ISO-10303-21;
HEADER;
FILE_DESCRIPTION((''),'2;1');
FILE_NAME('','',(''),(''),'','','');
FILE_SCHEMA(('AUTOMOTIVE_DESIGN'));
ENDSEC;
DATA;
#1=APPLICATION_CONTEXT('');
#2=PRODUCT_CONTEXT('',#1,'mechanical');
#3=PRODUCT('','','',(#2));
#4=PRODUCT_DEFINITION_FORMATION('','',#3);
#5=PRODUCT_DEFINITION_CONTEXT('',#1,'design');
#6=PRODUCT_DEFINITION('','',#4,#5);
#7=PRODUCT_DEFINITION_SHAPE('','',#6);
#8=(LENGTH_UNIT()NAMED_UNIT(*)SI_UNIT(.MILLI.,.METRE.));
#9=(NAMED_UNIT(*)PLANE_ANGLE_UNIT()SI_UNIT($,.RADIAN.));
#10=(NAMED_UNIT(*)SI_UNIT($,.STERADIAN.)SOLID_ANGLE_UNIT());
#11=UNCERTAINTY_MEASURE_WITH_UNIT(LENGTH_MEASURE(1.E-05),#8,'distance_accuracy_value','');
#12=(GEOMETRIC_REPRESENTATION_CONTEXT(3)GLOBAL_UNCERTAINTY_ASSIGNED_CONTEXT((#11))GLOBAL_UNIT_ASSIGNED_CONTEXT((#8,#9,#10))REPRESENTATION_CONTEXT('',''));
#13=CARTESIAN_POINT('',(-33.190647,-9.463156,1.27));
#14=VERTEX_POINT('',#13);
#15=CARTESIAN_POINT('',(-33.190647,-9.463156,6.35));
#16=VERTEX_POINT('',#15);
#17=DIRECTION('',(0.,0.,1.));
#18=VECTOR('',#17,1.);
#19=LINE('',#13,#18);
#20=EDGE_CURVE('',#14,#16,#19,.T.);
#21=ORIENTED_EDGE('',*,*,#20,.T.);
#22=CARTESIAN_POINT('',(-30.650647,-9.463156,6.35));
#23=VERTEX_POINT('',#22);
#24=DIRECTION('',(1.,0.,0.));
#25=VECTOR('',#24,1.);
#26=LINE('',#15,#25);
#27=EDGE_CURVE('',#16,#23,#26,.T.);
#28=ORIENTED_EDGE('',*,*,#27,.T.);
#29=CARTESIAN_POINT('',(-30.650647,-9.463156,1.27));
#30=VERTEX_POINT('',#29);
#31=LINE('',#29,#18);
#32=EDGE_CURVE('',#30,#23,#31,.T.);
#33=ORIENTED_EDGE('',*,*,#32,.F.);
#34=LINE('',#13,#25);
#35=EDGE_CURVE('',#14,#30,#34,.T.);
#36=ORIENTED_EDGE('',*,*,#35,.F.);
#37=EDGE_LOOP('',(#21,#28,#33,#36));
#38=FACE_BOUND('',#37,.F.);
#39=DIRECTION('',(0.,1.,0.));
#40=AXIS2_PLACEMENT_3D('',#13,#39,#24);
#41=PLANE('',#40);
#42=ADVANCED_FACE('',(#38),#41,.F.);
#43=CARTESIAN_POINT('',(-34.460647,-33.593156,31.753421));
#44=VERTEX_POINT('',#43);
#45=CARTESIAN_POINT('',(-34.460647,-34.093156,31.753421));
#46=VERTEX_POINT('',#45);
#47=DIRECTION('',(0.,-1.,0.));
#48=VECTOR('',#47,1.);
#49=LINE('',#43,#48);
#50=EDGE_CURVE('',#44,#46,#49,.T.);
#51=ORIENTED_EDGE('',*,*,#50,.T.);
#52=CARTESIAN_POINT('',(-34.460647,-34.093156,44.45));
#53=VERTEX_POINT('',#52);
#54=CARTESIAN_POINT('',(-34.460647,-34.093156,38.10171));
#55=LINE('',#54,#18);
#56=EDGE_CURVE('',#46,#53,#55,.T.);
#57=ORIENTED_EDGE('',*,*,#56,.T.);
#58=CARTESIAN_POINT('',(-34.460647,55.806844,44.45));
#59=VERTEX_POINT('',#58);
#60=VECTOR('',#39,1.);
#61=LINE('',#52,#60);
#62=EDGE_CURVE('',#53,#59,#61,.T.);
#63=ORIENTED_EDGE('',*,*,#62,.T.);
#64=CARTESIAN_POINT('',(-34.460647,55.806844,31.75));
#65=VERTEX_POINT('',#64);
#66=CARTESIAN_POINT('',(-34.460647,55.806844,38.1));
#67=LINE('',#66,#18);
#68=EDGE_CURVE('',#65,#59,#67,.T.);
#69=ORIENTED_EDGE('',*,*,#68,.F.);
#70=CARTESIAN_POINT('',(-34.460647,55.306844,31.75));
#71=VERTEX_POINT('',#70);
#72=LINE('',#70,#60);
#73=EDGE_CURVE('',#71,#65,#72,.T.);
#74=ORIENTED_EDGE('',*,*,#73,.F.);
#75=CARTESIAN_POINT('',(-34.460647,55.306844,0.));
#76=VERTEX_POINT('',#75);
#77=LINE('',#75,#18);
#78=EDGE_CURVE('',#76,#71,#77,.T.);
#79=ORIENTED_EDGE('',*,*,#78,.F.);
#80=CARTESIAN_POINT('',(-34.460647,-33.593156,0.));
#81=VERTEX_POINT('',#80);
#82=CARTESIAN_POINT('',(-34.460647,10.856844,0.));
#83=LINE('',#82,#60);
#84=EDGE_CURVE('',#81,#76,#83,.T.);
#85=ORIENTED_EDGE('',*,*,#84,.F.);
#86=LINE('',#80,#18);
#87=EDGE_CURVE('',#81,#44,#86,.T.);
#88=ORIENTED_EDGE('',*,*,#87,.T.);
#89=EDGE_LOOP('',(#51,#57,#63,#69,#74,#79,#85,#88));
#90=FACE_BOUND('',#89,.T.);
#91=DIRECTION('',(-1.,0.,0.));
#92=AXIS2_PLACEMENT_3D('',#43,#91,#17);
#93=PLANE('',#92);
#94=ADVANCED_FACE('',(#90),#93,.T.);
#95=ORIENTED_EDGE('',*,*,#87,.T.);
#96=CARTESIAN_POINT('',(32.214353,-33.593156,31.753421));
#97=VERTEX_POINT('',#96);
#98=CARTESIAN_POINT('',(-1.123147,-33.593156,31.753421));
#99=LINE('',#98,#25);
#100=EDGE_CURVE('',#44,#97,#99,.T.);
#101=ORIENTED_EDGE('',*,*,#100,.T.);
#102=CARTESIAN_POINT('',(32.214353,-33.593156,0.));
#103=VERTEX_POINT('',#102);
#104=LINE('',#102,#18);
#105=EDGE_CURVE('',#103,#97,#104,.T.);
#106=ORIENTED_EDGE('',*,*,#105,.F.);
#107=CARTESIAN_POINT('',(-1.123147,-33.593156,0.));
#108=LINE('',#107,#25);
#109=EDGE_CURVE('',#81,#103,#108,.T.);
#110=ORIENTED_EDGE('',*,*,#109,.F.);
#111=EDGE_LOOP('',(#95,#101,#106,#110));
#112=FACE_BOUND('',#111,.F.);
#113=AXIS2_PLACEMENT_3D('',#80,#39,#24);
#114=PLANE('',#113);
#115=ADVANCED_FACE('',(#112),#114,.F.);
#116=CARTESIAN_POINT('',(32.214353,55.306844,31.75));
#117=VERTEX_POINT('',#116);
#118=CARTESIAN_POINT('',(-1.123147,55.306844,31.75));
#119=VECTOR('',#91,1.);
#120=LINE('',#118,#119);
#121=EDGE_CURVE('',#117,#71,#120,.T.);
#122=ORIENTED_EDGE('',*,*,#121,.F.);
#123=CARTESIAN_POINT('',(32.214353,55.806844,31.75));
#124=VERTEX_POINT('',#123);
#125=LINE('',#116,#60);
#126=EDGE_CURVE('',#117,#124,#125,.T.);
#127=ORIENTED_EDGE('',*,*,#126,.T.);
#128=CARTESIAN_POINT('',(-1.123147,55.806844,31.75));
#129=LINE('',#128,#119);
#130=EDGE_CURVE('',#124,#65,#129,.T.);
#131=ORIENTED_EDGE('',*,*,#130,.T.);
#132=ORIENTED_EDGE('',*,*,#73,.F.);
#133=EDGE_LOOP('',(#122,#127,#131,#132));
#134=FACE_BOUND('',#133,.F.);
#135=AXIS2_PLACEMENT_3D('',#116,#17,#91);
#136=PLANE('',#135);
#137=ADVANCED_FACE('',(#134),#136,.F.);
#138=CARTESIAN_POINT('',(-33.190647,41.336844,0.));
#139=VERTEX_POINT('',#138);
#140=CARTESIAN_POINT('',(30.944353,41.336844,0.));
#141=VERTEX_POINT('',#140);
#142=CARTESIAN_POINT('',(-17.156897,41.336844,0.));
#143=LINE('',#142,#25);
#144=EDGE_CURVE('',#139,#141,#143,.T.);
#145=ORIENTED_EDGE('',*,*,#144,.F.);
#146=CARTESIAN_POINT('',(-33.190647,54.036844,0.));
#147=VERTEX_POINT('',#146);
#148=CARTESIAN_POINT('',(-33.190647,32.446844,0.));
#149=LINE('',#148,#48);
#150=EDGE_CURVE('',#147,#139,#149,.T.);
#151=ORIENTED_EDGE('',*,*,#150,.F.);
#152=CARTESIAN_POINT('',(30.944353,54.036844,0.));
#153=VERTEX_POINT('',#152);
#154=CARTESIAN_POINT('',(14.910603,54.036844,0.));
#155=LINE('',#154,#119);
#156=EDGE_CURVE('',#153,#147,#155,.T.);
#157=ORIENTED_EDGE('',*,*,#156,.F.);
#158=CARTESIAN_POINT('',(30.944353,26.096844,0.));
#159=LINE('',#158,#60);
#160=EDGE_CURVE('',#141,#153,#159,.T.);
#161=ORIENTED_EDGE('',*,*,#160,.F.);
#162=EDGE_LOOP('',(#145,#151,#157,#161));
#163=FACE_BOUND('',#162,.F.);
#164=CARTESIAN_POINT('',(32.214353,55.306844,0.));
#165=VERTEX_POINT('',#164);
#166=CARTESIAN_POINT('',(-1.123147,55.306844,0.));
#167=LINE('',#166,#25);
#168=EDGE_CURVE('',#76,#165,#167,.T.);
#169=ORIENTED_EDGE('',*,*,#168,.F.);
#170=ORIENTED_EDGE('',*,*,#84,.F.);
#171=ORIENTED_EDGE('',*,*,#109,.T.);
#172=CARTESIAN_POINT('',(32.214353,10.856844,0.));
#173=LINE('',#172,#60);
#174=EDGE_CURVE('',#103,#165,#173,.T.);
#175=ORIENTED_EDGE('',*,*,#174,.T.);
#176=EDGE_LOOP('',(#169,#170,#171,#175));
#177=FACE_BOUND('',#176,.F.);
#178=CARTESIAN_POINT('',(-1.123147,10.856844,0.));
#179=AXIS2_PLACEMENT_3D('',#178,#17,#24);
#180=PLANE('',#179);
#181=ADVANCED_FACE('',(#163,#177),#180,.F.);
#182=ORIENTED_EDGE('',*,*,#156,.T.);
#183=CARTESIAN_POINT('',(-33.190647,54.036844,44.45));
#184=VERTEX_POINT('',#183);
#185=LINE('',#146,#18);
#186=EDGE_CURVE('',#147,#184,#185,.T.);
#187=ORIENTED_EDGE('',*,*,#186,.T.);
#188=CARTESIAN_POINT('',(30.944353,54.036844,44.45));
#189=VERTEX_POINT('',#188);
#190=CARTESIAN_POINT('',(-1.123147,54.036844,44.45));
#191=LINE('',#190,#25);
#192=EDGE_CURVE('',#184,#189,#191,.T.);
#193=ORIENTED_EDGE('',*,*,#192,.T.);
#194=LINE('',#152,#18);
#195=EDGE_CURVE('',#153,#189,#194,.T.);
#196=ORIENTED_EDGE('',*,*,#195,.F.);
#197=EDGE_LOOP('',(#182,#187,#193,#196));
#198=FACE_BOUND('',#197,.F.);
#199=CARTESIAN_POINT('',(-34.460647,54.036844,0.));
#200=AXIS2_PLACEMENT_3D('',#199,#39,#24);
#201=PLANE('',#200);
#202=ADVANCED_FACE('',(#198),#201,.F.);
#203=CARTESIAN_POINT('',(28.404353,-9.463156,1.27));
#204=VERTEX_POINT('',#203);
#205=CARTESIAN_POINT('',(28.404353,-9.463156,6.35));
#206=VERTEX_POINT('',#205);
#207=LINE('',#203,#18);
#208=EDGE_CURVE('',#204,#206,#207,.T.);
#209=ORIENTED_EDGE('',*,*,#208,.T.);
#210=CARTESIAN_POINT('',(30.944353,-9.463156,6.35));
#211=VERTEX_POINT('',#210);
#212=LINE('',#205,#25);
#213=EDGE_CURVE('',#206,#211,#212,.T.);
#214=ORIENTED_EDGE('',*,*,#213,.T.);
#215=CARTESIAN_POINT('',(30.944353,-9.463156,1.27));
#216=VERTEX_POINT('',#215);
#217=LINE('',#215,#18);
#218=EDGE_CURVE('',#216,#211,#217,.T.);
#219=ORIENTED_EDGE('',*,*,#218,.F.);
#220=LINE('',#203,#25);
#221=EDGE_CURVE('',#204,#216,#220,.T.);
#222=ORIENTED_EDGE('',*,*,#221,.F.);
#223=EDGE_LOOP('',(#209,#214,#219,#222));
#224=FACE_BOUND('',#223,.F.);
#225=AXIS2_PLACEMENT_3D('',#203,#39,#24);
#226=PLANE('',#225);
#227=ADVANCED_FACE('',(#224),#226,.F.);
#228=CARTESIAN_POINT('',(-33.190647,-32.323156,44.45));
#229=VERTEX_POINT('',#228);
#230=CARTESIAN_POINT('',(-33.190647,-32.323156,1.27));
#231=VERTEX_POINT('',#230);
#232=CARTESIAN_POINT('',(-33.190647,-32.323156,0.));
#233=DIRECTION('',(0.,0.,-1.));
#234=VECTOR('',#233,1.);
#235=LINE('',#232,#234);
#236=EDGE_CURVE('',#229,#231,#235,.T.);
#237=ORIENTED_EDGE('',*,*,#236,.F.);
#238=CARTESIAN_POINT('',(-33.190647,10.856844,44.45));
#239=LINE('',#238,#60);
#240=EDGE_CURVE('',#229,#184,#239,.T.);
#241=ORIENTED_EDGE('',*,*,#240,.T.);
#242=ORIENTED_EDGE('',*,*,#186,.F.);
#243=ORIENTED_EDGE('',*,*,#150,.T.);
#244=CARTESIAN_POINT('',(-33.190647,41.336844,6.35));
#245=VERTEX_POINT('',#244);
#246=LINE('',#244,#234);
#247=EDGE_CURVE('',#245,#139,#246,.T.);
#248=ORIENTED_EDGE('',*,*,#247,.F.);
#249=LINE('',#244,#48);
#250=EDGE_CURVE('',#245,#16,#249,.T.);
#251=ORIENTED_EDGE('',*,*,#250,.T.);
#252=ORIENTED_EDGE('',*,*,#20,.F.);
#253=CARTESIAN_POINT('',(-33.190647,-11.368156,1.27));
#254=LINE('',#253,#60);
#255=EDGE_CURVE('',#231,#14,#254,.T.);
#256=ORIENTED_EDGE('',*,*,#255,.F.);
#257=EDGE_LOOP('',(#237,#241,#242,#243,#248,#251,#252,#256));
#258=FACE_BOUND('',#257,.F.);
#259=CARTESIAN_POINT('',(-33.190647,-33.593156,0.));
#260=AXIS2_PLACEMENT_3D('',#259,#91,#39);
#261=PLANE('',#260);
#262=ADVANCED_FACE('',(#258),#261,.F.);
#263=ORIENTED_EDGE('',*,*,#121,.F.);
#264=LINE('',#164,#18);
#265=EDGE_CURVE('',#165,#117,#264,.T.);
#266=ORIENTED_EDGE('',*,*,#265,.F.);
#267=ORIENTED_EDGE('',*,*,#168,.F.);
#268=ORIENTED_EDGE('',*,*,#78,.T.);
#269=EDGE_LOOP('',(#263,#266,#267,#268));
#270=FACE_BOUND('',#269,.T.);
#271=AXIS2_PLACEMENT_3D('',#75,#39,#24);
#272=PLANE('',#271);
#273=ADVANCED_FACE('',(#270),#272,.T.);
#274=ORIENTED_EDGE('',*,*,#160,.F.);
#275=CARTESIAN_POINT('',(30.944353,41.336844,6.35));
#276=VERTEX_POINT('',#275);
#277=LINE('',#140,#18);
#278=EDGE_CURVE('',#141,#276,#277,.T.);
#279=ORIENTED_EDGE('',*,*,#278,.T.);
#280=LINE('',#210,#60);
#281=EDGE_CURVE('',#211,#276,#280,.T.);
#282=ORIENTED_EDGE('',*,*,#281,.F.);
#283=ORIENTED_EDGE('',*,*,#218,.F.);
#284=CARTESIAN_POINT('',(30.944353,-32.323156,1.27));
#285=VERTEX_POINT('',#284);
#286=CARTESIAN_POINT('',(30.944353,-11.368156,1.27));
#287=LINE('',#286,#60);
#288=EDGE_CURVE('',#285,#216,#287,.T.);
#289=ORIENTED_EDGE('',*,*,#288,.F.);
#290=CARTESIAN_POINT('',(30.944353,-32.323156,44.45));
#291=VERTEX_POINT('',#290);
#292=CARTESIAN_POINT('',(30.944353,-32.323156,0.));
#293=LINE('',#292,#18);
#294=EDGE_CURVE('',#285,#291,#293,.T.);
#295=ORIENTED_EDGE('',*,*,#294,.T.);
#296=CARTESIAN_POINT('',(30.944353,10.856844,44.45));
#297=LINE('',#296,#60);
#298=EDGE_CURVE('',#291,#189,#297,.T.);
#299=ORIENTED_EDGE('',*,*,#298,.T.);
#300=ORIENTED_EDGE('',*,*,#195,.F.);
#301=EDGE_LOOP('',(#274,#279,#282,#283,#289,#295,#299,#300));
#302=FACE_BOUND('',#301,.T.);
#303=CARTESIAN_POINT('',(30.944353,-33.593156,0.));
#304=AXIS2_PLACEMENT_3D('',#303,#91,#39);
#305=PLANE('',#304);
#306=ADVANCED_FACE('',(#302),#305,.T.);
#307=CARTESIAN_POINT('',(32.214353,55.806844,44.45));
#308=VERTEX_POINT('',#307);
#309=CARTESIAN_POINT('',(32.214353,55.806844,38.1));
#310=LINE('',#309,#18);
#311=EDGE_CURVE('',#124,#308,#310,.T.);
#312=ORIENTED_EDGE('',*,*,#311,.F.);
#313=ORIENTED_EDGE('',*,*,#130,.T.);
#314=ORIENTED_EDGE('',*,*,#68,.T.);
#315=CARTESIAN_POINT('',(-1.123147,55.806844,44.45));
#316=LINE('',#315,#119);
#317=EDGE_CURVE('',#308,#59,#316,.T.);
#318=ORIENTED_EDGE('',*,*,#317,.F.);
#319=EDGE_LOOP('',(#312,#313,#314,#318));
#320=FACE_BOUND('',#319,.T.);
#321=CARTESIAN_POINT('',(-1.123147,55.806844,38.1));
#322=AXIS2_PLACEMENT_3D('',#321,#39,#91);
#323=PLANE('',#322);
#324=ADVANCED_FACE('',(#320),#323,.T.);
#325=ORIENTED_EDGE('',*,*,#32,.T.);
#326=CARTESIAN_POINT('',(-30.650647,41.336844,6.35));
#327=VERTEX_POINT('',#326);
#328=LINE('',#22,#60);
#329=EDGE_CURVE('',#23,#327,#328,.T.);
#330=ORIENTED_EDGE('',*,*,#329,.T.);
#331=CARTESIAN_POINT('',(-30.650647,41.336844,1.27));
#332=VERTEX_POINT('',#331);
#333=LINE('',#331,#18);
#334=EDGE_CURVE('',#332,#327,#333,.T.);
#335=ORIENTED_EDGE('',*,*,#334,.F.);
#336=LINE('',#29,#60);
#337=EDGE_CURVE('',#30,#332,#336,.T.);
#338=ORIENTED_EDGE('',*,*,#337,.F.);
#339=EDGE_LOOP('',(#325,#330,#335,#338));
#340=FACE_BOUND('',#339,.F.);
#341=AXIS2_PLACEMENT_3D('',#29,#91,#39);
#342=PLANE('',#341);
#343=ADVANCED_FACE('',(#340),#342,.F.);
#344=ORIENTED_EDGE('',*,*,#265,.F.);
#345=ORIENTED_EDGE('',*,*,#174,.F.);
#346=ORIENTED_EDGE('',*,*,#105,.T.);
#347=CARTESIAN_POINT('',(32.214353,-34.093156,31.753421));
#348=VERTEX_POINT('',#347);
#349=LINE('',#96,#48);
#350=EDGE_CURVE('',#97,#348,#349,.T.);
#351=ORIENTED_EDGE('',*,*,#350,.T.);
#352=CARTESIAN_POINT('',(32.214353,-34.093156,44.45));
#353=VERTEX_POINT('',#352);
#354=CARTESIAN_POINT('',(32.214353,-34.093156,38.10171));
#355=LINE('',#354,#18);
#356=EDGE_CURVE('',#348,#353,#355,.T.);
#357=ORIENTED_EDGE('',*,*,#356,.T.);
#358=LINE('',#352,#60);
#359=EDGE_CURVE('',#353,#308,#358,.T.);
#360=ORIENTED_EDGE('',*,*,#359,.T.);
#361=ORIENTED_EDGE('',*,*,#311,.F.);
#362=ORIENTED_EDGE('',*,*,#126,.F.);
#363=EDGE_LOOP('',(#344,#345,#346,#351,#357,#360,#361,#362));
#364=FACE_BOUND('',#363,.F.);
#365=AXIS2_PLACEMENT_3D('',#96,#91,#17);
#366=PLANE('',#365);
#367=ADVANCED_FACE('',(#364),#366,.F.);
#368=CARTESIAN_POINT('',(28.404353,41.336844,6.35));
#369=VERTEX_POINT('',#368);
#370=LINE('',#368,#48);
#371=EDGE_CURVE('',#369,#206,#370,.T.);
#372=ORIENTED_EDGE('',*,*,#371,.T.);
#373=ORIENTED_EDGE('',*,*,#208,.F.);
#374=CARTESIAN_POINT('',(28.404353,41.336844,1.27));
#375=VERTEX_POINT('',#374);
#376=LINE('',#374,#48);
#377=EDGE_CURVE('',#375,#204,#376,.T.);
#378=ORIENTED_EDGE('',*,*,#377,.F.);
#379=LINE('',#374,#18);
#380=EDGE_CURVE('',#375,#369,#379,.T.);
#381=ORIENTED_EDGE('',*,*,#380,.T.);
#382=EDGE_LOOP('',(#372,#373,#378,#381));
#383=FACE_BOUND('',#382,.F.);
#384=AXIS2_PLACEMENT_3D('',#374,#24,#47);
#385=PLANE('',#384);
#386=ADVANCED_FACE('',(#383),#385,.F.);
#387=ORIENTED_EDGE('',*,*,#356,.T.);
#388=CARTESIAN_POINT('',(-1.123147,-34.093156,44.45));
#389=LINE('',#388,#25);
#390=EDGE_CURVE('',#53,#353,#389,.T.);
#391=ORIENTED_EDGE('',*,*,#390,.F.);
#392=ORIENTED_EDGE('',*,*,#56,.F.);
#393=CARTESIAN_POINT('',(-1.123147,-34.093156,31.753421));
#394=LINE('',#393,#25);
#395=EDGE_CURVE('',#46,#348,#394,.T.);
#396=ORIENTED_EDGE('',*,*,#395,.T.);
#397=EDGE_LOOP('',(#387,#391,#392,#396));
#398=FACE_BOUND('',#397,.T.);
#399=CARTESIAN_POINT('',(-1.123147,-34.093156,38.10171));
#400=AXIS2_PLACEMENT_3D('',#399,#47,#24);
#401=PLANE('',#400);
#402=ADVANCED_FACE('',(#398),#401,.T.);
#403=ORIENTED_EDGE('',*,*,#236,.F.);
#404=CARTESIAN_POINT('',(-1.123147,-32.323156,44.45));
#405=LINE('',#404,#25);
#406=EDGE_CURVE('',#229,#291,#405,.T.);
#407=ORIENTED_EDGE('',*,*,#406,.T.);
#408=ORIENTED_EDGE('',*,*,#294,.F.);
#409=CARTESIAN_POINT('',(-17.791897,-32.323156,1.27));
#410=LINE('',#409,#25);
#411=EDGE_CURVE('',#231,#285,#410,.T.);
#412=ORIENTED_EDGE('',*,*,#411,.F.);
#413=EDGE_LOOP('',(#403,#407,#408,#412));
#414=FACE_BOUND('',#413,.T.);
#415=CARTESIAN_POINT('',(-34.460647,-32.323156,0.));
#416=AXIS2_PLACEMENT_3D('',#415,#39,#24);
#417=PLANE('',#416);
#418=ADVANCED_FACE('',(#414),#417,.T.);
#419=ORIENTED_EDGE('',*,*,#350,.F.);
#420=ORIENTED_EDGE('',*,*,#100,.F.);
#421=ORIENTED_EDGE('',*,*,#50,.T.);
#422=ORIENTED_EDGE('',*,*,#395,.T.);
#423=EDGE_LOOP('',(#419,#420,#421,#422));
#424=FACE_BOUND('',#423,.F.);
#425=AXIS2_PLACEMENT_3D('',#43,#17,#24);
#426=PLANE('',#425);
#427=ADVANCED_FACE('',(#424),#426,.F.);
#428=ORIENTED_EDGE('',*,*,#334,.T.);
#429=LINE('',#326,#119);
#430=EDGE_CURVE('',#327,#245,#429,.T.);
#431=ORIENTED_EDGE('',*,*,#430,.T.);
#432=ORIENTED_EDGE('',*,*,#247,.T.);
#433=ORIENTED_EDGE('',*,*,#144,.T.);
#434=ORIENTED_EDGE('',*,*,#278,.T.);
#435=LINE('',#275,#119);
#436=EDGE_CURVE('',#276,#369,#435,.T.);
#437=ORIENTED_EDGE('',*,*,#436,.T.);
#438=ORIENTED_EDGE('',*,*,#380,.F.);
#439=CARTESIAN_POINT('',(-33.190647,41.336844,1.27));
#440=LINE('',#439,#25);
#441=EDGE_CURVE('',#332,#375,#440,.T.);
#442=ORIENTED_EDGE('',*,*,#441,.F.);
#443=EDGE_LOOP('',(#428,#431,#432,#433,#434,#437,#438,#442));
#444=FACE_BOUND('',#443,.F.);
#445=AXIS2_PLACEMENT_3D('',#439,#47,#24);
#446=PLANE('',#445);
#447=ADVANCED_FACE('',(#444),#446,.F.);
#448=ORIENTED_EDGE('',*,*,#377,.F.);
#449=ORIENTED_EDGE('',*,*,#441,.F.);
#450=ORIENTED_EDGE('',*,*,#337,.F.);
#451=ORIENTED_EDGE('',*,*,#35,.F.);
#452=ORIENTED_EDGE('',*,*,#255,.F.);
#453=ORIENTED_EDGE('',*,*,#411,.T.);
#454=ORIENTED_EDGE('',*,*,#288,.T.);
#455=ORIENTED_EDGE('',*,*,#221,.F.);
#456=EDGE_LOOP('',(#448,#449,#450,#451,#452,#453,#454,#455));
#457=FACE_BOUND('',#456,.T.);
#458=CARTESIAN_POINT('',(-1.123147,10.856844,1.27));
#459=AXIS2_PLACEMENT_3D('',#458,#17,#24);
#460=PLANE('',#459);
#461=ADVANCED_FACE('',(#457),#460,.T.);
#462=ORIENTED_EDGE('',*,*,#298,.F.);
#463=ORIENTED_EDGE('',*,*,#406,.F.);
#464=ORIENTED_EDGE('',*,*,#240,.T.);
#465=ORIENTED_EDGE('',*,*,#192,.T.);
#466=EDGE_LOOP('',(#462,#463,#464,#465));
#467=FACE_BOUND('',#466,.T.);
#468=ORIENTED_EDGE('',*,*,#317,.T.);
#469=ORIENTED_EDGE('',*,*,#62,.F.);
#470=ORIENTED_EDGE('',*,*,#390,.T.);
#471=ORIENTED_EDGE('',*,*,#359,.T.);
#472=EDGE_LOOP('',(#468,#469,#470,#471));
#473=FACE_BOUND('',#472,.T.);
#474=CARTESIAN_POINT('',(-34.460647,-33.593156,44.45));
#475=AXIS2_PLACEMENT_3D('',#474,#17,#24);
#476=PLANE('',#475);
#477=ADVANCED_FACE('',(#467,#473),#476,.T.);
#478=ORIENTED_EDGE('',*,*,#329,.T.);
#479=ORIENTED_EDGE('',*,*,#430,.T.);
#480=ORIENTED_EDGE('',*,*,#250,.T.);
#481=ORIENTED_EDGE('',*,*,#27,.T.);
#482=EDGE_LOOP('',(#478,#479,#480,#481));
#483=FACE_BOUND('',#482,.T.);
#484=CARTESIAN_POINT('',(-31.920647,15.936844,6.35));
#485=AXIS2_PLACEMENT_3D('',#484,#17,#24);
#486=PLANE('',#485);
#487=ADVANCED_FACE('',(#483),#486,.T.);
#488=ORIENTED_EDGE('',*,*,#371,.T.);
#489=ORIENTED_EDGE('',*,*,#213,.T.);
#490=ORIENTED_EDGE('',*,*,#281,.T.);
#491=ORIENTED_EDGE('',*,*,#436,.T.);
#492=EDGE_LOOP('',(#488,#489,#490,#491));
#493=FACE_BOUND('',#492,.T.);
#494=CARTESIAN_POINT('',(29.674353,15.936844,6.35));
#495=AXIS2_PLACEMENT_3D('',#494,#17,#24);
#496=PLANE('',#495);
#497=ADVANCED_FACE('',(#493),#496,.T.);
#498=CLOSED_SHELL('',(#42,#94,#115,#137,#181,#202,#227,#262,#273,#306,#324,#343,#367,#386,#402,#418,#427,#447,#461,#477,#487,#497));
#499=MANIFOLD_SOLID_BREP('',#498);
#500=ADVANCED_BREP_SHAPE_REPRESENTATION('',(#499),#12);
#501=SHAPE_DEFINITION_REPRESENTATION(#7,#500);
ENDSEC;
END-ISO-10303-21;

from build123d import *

# Parameters (mm, degrees)
F0_W     = 66.675
F0_H     = 88.9
F1_DEPTH = 44.45
F2_T     = -1.27
F4_DEPTH = 5.08
F5_W     = 66.675
F5_H     = 12.7
F6_DEPTH = 0.5
F7_W     = 66.675
F7_H     = 12.6965791702
F8_DEPTH = 0.5
F9_DEPTH = 25.4


with BuildPart() as f1:
    # F0 (on Top) → F1 (new body)
    with BuildSketch(Plane.XY):
        with Locations((-1.1231470853, 10.8568438743)):
            Rectangle(F0_W, F0_H)
    extrude(amount=F1_DEPTH)

    # F2
    f2_openings = [f1.faces().sort_by_distance(p)[0] for p in [
        (-1.123147, 10.856844, 44.45),
    ]]
    offset(amount=F2_T, openings=f2_openings)

    # F3 (on face) → F4 (join)
    with BuildSketch(Plane.XY.offset(1.27)):
        Polygon((30.9443529147, 41.3368438743), (28.4043529147, 41.3368438743), (28.4043529147, -0.1921561257), (28.4043529147, -3.3671561257), (28.4043529147, -9.4631561257), (30.9443529147, -9.4631561257), align=None)
        Polygon((-30.6506470853, 41.3368438743), (-33.1906470853, 41.3368438743), (-33.1906470853, -9.4631561257), (-30.6506470853, -9.4631561257), (-30.6506470853, -3.3671561257), (-30.6506470853, -0.1921561257), align=None)
    extrude(amount=F4_DEPTH)

    # F5 (on face) → F6 (join)
    with BuildSketch(Plane(origin=(0, 55.3068438743, 0), x_dir=(-1, 0, 0), z_dir=(0, 1, 0))):
        with Locations((1.1231470853, 38.1)):
            Rectangle(F5_W, F5_H)
    extrude(amount=F6_DEPTH)

    # F7 (on face) → F8 (join)
    with BuildSketch(Plane.XZ.offset(33.5931561257)):
        with Locations((-1.1231470853, 38.1017104149)):
            Rectangle(F7_W, F7_H)
    extrude(amount=F8_DEPTH)

    # F3 (on face) → F9 (cut)
    with BuildSketch(Plane.XY.offset(1.27)):
        Polygon((-33.1906470853, 54.0368438743), (-33.1906470853, 41.3368438743), (-30.6506470853, 41.3368438743), (28.4043529147, 41.3368438743), (30.9443529147, 41.3368438743), (30.9443529147, 54.0368438743), align=None)
    extrude(amount=-F9_DEPTH, mode=Mode.SUBTRACT)


solid = f1.part
